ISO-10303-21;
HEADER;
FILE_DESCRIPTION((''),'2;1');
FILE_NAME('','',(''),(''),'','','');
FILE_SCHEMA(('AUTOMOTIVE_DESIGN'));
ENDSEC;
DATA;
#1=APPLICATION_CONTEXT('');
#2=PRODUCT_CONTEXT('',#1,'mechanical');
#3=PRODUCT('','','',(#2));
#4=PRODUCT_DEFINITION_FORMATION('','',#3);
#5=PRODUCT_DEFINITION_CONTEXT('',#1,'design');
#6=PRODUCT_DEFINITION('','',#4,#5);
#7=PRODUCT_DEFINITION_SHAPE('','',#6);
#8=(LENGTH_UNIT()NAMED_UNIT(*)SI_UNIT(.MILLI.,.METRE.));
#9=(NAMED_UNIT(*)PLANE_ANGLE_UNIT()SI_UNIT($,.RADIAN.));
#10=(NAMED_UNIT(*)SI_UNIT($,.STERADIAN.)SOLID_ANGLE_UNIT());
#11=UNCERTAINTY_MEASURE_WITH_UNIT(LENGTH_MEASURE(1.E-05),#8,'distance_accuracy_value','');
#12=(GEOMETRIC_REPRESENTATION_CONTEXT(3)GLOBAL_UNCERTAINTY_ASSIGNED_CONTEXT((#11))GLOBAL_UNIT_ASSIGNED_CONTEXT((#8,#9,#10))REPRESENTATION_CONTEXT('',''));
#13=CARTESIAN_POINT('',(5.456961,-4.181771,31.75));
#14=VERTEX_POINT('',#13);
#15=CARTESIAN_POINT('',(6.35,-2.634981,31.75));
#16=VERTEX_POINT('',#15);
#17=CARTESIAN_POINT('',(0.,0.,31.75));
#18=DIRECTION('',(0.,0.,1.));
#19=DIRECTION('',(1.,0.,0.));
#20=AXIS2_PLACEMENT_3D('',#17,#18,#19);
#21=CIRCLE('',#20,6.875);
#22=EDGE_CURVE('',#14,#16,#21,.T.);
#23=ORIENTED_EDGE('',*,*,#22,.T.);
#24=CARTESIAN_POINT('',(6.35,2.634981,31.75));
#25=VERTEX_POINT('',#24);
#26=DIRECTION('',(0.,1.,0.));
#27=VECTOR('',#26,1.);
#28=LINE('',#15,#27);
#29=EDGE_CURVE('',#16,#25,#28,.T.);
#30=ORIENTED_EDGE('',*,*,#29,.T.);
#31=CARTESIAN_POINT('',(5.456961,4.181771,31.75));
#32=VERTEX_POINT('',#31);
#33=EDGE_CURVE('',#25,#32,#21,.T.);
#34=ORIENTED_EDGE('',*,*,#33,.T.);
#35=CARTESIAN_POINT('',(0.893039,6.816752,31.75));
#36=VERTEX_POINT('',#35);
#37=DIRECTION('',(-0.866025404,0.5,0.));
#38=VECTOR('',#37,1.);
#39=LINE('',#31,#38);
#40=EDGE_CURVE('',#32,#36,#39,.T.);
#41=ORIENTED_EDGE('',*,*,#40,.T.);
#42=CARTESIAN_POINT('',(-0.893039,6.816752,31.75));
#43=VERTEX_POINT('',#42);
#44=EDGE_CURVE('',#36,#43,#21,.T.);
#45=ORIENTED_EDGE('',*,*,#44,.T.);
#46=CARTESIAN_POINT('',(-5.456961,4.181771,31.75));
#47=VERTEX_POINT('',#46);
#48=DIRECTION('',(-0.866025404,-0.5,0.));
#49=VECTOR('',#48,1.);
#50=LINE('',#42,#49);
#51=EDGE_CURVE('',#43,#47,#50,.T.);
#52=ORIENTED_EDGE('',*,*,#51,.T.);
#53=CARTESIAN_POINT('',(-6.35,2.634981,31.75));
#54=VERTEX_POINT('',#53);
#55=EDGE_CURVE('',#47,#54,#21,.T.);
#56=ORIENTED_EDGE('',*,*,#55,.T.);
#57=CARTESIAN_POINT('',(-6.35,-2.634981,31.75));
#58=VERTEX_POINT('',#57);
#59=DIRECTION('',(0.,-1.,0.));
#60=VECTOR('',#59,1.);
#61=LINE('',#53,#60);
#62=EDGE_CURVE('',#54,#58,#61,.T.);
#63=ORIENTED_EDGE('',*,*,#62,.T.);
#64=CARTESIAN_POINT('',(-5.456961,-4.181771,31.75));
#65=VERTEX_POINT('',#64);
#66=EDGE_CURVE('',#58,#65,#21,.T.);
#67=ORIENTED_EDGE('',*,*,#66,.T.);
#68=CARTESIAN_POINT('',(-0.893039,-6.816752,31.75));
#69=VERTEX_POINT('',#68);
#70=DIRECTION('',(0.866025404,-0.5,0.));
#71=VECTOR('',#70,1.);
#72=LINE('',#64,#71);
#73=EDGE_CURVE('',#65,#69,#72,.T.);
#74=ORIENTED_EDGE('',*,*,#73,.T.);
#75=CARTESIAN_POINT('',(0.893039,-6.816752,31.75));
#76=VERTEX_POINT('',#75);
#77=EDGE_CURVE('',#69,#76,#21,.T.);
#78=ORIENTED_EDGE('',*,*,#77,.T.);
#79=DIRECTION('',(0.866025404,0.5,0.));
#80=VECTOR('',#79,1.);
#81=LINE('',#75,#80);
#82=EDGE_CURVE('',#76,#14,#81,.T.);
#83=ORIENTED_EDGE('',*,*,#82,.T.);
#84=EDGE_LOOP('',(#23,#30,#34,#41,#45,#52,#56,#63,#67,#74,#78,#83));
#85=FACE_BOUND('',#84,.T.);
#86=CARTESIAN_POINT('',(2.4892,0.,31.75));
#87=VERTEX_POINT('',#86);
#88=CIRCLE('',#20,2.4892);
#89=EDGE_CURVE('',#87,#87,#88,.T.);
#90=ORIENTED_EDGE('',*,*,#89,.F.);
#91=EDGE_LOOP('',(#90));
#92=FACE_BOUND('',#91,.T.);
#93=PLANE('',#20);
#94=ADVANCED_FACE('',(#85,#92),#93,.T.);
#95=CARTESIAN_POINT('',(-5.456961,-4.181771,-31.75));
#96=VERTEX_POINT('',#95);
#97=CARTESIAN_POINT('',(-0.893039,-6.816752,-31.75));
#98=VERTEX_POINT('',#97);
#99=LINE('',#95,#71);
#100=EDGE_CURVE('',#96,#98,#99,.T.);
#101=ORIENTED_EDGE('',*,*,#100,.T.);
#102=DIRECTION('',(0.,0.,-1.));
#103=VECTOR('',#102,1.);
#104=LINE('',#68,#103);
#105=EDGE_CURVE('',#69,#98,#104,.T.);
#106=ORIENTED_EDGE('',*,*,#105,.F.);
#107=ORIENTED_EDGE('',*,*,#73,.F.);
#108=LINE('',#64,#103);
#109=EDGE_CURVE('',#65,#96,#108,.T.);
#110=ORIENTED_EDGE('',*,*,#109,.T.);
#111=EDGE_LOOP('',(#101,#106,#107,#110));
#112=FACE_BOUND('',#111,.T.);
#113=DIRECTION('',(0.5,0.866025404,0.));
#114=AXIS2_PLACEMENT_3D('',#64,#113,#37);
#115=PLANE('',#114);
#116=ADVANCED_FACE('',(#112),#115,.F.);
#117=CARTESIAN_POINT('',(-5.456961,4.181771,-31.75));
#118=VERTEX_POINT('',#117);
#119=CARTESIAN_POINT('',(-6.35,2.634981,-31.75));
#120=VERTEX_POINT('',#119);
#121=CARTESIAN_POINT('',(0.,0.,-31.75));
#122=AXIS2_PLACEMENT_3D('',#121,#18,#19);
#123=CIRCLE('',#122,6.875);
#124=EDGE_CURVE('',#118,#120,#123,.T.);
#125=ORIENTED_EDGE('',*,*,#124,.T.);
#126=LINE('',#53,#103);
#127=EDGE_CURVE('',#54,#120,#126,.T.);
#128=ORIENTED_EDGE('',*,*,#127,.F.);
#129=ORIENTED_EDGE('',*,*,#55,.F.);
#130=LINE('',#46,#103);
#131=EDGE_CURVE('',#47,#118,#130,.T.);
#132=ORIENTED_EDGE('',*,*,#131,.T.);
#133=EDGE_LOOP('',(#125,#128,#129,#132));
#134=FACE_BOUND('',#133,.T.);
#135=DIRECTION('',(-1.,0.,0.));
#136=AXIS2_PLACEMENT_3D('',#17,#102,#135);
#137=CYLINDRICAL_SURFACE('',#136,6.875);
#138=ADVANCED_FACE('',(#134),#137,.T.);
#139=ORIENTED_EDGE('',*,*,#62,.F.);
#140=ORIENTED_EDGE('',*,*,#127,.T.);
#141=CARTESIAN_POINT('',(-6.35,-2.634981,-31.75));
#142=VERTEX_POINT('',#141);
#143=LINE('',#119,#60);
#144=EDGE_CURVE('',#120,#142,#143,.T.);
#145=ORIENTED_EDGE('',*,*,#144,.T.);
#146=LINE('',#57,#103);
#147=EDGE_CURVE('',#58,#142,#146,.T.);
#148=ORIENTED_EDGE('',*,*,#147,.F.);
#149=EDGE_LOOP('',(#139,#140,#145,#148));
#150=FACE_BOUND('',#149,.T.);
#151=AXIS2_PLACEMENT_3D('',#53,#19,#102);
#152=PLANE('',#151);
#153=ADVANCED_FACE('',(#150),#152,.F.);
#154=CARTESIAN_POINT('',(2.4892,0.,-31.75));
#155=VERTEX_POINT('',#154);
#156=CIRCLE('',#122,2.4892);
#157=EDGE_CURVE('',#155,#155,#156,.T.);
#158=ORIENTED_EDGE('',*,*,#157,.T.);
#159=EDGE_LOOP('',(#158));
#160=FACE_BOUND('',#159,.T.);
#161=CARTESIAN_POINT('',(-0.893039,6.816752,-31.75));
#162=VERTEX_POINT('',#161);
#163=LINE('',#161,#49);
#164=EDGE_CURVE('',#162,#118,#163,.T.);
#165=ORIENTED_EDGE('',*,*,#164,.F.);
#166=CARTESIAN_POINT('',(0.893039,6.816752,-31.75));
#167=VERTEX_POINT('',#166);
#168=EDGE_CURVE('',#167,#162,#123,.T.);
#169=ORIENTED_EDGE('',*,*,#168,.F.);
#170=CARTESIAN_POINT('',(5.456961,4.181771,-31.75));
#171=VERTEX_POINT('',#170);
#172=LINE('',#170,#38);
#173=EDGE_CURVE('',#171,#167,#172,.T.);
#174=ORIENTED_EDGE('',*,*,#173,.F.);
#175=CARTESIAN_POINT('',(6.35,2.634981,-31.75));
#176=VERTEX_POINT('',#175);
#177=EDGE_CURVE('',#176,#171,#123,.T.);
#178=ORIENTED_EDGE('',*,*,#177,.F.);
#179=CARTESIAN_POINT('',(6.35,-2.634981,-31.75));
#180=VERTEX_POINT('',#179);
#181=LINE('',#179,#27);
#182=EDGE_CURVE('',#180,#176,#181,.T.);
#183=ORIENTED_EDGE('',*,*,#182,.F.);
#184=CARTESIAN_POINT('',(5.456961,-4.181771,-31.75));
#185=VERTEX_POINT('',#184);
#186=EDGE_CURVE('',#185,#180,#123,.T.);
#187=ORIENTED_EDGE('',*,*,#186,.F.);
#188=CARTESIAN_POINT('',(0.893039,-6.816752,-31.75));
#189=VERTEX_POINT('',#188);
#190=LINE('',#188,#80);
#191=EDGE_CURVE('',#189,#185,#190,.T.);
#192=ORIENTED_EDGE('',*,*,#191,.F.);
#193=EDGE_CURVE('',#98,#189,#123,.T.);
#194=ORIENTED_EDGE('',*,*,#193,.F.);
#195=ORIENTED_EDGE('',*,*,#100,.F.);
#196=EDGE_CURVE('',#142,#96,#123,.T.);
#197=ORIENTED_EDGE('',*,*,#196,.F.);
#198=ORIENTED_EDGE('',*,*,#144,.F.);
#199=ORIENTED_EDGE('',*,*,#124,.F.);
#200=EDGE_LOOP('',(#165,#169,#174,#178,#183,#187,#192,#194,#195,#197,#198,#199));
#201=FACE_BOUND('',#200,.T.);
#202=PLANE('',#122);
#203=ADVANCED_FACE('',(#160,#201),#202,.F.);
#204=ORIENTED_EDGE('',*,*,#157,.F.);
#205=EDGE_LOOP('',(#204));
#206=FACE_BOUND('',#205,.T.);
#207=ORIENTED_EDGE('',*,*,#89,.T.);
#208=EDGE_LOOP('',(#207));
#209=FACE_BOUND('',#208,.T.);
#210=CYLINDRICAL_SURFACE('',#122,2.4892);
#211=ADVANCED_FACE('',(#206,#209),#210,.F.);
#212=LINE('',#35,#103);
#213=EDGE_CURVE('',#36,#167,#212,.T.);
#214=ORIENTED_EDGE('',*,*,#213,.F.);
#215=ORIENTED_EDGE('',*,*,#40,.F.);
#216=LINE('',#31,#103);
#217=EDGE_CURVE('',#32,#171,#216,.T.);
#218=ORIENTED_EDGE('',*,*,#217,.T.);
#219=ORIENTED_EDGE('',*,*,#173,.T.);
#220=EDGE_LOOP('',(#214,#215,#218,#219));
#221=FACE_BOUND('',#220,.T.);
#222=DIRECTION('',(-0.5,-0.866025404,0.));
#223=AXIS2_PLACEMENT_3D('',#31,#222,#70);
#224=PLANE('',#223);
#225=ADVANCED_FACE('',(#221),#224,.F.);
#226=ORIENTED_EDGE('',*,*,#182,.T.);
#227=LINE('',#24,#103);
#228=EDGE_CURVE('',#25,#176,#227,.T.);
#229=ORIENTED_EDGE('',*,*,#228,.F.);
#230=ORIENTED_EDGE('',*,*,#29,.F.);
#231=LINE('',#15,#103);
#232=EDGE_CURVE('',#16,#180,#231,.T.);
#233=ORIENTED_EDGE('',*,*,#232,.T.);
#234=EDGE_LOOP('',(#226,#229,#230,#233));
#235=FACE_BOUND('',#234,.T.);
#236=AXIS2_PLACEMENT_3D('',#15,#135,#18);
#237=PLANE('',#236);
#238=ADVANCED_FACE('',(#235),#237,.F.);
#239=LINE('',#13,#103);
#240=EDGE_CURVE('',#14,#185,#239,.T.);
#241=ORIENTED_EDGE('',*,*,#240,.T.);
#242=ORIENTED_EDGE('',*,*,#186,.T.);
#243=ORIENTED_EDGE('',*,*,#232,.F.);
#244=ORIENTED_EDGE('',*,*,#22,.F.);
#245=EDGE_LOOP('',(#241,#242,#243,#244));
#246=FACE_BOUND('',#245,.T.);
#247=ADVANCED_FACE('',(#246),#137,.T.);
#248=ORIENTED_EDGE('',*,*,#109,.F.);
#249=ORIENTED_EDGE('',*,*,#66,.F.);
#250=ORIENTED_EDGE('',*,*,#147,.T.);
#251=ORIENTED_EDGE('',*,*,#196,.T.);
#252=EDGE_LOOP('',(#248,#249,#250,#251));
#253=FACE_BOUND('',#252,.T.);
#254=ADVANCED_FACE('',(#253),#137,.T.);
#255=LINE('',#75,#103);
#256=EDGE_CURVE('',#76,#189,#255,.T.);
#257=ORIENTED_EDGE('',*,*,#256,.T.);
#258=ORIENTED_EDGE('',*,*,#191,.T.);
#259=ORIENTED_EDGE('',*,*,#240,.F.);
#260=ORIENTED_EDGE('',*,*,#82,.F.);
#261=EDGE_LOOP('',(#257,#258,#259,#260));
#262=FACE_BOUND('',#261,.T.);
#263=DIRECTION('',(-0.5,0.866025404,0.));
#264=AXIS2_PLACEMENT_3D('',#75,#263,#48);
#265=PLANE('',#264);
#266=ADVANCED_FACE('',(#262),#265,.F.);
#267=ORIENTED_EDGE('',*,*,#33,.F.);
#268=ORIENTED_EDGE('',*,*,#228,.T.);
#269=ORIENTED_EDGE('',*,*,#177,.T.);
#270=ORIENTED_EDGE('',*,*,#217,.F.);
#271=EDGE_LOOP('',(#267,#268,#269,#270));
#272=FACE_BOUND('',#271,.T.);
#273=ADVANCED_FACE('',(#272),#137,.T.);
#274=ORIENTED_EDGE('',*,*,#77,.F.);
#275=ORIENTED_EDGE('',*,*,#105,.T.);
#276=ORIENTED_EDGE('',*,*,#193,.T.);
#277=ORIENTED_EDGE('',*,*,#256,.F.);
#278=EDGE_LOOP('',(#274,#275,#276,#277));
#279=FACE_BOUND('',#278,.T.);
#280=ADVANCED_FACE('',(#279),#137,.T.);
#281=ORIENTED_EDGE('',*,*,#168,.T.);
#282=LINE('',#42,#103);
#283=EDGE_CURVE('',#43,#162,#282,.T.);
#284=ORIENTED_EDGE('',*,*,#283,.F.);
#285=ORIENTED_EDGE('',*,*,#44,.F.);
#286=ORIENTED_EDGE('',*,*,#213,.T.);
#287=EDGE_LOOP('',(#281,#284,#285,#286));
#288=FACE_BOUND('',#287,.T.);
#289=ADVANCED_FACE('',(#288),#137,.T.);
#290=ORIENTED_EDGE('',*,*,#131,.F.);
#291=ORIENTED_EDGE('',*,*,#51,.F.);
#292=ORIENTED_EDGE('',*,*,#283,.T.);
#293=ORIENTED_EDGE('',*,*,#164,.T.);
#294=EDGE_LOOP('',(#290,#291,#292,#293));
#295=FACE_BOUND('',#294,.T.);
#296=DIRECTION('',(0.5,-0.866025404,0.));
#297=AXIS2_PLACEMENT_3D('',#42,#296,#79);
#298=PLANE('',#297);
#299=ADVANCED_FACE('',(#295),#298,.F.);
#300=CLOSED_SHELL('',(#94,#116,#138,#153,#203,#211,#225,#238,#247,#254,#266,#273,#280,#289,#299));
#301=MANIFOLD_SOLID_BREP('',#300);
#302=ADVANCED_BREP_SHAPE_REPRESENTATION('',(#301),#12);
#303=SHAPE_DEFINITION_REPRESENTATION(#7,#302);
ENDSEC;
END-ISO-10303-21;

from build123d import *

# Parameters (mm, degrees)
BOSS_EXTRUDE1_DEPTH = 31.75
SKETCH3_R           = 2.4892
CUT_EXTRUDE1_DEPTH  = 65.185965172


with BuildPart() as part:
    # Sketch1 → Boss-Extrude1 (new, symmetric)
    with BuildSketch(Plane.XY):
        with BuildLine():
            Line((-0.893039494, 6.816751826), (-5.456960506, 4.181770802))
            ThreePointArc((-5.456960506, 4.181770802), (-5.953924651, 3.4375), (-6.35, 2.634981025))
            Line((-6.35, 2.634981025), (-6.35, -2.634981025))
            ThreePointArc((-6.35, -2.634981025), (-5.953924651, -3.4375), (-5.456960506, -4.181770802))
            Line((-5.456960506, -4.181770802), (-0.893039494, -6.816751826))
            ThreePointArc((-0.893039494, -6.816751826), (0, -6.875), (0.893039494, -6.816751826))
            Line((0.893039494, -6.816751826), (5.456960506, -4.181770802))
            ThreePointArc((5.456960506, -4.181770802), (5.953924651, -3.4375), (6.35, -2.634981025))
            Line((6.35, -2.634981025), (6.35, 2.634981025))
            ThreePointArc((6.35, 2.634981025), (5.953924651, 3.4375), (5.456960506, 4.181770802))
            Line((5.456960506, 4.181770802), (0.893039494, 6.816751826))
            ThreePointArc((0.893039494, 6.816751826), (0, 6.875), (-0.893039494, 6.816751826))
        make_face()
    extrude(amount=BOSS_EXTRUDE1_DEPTH, both=True)

    # Sketch3 → Cut-Extrude1 (cut, through all)
    with BuildSketch(Plane.XY.offset(31.75)):
        Circle(SKETCH3_R)
    extrude(amount=-CUT_EXTRUDE1_DEPTH, mode=Mode.SUBTRACT)


solid = part.part
